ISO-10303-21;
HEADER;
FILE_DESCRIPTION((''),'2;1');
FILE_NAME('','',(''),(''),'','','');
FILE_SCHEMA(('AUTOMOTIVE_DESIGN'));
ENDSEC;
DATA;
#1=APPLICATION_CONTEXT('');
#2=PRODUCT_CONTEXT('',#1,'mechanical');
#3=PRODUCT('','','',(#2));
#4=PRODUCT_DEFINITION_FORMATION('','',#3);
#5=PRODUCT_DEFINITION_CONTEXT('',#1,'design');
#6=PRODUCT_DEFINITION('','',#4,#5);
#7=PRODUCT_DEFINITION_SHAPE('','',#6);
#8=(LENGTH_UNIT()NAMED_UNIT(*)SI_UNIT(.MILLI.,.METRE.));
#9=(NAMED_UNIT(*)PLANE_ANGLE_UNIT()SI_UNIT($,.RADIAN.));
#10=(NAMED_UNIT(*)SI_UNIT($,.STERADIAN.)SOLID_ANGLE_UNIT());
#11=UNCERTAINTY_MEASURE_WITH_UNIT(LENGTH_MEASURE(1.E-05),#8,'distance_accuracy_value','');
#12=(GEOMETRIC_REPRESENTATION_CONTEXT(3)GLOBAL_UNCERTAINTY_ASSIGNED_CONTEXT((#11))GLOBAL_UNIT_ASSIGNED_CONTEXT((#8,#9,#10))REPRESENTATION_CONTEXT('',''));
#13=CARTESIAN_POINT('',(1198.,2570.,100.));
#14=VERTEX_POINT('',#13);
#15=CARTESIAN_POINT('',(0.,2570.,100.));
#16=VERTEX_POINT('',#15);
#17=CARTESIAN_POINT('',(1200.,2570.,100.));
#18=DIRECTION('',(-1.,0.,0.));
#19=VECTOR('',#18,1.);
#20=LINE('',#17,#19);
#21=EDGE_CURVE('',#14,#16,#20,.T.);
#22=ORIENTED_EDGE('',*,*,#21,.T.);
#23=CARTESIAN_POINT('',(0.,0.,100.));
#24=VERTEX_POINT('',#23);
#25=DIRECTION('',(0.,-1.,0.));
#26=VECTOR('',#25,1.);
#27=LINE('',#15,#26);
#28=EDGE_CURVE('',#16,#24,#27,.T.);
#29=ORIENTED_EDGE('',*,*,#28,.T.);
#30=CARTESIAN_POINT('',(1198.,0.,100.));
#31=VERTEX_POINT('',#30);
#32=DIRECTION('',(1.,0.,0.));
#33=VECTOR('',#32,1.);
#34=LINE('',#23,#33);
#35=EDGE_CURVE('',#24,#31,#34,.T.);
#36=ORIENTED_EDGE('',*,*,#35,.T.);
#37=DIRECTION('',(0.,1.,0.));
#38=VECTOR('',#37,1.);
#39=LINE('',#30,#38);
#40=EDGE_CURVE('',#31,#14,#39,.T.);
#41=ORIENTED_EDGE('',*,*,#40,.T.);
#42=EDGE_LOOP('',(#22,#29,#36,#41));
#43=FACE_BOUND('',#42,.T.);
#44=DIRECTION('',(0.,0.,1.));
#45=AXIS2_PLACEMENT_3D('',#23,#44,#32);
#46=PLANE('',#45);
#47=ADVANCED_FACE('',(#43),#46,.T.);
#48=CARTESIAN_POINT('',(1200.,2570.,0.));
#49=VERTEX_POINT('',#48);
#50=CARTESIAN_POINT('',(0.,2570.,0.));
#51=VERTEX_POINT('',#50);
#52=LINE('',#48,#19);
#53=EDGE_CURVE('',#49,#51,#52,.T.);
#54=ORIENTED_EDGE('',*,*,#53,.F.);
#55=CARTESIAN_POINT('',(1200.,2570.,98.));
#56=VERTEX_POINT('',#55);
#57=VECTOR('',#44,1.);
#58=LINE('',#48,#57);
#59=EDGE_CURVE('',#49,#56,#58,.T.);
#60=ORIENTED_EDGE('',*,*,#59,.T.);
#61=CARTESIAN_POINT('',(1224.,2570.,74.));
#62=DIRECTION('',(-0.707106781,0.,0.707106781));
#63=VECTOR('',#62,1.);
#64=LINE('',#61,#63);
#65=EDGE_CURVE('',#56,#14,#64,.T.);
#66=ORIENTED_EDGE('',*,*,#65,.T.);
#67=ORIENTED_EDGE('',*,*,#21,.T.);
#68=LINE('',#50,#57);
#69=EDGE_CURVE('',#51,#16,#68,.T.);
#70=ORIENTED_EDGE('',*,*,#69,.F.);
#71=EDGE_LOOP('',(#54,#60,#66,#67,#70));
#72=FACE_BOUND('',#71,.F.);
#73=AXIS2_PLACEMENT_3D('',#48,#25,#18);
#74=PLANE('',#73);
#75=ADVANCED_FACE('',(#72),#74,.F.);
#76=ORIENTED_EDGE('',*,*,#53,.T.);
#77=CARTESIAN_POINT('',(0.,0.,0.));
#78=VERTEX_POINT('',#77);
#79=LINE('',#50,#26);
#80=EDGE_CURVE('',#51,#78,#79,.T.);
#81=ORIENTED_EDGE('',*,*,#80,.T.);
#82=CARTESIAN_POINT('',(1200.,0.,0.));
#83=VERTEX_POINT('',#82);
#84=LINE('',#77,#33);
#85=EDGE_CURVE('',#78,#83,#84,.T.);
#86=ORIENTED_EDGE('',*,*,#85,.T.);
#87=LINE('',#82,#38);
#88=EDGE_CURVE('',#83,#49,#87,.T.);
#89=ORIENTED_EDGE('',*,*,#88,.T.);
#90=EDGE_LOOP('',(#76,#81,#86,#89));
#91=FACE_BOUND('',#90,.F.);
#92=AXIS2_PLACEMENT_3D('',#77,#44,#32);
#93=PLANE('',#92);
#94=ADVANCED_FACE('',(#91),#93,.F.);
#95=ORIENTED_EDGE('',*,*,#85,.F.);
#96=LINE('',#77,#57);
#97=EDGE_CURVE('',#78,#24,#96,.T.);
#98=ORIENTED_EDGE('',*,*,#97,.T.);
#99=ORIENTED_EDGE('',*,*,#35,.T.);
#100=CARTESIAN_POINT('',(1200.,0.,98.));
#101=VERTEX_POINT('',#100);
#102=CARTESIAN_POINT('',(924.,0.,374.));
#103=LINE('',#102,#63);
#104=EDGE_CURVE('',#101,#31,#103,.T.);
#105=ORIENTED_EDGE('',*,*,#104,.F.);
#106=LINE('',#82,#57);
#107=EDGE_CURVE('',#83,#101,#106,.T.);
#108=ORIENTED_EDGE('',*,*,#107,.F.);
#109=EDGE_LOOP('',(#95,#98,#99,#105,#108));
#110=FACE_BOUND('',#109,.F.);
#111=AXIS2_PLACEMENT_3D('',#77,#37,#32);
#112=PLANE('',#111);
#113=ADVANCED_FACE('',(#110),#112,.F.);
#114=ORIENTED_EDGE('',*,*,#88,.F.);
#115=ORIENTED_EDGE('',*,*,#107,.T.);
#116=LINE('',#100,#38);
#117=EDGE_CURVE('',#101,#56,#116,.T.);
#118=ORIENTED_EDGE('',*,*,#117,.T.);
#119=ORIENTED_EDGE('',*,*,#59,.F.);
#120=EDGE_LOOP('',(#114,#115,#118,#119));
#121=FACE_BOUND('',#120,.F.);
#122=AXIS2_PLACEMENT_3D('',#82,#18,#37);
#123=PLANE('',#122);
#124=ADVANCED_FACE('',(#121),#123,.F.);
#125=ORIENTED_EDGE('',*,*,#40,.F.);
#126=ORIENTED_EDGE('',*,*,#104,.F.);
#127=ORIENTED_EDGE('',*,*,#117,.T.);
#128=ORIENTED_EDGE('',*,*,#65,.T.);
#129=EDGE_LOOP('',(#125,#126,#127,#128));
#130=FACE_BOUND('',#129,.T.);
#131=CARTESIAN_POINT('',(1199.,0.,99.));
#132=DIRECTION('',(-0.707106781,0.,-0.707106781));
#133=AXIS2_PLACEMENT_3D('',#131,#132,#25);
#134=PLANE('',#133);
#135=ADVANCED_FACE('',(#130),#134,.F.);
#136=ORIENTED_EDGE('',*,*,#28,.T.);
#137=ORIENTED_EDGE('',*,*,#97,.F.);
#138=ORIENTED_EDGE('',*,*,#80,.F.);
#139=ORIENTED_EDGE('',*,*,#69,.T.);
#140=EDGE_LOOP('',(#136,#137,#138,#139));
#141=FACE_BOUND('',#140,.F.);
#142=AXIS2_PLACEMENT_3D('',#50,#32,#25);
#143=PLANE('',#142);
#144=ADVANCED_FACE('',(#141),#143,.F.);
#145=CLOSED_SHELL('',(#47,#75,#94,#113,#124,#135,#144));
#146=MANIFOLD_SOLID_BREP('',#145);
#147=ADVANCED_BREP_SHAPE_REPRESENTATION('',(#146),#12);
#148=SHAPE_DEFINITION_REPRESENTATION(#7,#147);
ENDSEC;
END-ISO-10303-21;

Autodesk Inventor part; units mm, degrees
ref_plane "YZ Plane" through (0, 0, 0) normal (1, 0, 0) x (0, 1, 0)
ref_plane "XZ Plane" through (0, 0, 0) normal (0, 1, 0) x (-1, 0, 0)
ref_plane "XY Plane" through (0, 0, 0) normal (0, 0, 1) x (1, 0, 0)
sketch "Sketch1" plane through (0, 0, 0) normal (0, 0, 1) x (1, 0, 0)
  line L0 (0, 0) -> (1200, 0)
  line L1 (1200, 0) -> (1200, 2570)
  line L2 (1200, 2570) -> (0, 2570)
  line L3 (0, 2570) -> (0, 0)
  dimension "d0" = 1200
  dimension "d1" = 2570
extrude "Extrusion1" add sketch "Sketch1" along normal blind 100
chamfer "Chamfer1" distance 2 angle 45 1 edges at (1200, 1285, 100)
properties part number "GnG- -Sandwich wall low"
